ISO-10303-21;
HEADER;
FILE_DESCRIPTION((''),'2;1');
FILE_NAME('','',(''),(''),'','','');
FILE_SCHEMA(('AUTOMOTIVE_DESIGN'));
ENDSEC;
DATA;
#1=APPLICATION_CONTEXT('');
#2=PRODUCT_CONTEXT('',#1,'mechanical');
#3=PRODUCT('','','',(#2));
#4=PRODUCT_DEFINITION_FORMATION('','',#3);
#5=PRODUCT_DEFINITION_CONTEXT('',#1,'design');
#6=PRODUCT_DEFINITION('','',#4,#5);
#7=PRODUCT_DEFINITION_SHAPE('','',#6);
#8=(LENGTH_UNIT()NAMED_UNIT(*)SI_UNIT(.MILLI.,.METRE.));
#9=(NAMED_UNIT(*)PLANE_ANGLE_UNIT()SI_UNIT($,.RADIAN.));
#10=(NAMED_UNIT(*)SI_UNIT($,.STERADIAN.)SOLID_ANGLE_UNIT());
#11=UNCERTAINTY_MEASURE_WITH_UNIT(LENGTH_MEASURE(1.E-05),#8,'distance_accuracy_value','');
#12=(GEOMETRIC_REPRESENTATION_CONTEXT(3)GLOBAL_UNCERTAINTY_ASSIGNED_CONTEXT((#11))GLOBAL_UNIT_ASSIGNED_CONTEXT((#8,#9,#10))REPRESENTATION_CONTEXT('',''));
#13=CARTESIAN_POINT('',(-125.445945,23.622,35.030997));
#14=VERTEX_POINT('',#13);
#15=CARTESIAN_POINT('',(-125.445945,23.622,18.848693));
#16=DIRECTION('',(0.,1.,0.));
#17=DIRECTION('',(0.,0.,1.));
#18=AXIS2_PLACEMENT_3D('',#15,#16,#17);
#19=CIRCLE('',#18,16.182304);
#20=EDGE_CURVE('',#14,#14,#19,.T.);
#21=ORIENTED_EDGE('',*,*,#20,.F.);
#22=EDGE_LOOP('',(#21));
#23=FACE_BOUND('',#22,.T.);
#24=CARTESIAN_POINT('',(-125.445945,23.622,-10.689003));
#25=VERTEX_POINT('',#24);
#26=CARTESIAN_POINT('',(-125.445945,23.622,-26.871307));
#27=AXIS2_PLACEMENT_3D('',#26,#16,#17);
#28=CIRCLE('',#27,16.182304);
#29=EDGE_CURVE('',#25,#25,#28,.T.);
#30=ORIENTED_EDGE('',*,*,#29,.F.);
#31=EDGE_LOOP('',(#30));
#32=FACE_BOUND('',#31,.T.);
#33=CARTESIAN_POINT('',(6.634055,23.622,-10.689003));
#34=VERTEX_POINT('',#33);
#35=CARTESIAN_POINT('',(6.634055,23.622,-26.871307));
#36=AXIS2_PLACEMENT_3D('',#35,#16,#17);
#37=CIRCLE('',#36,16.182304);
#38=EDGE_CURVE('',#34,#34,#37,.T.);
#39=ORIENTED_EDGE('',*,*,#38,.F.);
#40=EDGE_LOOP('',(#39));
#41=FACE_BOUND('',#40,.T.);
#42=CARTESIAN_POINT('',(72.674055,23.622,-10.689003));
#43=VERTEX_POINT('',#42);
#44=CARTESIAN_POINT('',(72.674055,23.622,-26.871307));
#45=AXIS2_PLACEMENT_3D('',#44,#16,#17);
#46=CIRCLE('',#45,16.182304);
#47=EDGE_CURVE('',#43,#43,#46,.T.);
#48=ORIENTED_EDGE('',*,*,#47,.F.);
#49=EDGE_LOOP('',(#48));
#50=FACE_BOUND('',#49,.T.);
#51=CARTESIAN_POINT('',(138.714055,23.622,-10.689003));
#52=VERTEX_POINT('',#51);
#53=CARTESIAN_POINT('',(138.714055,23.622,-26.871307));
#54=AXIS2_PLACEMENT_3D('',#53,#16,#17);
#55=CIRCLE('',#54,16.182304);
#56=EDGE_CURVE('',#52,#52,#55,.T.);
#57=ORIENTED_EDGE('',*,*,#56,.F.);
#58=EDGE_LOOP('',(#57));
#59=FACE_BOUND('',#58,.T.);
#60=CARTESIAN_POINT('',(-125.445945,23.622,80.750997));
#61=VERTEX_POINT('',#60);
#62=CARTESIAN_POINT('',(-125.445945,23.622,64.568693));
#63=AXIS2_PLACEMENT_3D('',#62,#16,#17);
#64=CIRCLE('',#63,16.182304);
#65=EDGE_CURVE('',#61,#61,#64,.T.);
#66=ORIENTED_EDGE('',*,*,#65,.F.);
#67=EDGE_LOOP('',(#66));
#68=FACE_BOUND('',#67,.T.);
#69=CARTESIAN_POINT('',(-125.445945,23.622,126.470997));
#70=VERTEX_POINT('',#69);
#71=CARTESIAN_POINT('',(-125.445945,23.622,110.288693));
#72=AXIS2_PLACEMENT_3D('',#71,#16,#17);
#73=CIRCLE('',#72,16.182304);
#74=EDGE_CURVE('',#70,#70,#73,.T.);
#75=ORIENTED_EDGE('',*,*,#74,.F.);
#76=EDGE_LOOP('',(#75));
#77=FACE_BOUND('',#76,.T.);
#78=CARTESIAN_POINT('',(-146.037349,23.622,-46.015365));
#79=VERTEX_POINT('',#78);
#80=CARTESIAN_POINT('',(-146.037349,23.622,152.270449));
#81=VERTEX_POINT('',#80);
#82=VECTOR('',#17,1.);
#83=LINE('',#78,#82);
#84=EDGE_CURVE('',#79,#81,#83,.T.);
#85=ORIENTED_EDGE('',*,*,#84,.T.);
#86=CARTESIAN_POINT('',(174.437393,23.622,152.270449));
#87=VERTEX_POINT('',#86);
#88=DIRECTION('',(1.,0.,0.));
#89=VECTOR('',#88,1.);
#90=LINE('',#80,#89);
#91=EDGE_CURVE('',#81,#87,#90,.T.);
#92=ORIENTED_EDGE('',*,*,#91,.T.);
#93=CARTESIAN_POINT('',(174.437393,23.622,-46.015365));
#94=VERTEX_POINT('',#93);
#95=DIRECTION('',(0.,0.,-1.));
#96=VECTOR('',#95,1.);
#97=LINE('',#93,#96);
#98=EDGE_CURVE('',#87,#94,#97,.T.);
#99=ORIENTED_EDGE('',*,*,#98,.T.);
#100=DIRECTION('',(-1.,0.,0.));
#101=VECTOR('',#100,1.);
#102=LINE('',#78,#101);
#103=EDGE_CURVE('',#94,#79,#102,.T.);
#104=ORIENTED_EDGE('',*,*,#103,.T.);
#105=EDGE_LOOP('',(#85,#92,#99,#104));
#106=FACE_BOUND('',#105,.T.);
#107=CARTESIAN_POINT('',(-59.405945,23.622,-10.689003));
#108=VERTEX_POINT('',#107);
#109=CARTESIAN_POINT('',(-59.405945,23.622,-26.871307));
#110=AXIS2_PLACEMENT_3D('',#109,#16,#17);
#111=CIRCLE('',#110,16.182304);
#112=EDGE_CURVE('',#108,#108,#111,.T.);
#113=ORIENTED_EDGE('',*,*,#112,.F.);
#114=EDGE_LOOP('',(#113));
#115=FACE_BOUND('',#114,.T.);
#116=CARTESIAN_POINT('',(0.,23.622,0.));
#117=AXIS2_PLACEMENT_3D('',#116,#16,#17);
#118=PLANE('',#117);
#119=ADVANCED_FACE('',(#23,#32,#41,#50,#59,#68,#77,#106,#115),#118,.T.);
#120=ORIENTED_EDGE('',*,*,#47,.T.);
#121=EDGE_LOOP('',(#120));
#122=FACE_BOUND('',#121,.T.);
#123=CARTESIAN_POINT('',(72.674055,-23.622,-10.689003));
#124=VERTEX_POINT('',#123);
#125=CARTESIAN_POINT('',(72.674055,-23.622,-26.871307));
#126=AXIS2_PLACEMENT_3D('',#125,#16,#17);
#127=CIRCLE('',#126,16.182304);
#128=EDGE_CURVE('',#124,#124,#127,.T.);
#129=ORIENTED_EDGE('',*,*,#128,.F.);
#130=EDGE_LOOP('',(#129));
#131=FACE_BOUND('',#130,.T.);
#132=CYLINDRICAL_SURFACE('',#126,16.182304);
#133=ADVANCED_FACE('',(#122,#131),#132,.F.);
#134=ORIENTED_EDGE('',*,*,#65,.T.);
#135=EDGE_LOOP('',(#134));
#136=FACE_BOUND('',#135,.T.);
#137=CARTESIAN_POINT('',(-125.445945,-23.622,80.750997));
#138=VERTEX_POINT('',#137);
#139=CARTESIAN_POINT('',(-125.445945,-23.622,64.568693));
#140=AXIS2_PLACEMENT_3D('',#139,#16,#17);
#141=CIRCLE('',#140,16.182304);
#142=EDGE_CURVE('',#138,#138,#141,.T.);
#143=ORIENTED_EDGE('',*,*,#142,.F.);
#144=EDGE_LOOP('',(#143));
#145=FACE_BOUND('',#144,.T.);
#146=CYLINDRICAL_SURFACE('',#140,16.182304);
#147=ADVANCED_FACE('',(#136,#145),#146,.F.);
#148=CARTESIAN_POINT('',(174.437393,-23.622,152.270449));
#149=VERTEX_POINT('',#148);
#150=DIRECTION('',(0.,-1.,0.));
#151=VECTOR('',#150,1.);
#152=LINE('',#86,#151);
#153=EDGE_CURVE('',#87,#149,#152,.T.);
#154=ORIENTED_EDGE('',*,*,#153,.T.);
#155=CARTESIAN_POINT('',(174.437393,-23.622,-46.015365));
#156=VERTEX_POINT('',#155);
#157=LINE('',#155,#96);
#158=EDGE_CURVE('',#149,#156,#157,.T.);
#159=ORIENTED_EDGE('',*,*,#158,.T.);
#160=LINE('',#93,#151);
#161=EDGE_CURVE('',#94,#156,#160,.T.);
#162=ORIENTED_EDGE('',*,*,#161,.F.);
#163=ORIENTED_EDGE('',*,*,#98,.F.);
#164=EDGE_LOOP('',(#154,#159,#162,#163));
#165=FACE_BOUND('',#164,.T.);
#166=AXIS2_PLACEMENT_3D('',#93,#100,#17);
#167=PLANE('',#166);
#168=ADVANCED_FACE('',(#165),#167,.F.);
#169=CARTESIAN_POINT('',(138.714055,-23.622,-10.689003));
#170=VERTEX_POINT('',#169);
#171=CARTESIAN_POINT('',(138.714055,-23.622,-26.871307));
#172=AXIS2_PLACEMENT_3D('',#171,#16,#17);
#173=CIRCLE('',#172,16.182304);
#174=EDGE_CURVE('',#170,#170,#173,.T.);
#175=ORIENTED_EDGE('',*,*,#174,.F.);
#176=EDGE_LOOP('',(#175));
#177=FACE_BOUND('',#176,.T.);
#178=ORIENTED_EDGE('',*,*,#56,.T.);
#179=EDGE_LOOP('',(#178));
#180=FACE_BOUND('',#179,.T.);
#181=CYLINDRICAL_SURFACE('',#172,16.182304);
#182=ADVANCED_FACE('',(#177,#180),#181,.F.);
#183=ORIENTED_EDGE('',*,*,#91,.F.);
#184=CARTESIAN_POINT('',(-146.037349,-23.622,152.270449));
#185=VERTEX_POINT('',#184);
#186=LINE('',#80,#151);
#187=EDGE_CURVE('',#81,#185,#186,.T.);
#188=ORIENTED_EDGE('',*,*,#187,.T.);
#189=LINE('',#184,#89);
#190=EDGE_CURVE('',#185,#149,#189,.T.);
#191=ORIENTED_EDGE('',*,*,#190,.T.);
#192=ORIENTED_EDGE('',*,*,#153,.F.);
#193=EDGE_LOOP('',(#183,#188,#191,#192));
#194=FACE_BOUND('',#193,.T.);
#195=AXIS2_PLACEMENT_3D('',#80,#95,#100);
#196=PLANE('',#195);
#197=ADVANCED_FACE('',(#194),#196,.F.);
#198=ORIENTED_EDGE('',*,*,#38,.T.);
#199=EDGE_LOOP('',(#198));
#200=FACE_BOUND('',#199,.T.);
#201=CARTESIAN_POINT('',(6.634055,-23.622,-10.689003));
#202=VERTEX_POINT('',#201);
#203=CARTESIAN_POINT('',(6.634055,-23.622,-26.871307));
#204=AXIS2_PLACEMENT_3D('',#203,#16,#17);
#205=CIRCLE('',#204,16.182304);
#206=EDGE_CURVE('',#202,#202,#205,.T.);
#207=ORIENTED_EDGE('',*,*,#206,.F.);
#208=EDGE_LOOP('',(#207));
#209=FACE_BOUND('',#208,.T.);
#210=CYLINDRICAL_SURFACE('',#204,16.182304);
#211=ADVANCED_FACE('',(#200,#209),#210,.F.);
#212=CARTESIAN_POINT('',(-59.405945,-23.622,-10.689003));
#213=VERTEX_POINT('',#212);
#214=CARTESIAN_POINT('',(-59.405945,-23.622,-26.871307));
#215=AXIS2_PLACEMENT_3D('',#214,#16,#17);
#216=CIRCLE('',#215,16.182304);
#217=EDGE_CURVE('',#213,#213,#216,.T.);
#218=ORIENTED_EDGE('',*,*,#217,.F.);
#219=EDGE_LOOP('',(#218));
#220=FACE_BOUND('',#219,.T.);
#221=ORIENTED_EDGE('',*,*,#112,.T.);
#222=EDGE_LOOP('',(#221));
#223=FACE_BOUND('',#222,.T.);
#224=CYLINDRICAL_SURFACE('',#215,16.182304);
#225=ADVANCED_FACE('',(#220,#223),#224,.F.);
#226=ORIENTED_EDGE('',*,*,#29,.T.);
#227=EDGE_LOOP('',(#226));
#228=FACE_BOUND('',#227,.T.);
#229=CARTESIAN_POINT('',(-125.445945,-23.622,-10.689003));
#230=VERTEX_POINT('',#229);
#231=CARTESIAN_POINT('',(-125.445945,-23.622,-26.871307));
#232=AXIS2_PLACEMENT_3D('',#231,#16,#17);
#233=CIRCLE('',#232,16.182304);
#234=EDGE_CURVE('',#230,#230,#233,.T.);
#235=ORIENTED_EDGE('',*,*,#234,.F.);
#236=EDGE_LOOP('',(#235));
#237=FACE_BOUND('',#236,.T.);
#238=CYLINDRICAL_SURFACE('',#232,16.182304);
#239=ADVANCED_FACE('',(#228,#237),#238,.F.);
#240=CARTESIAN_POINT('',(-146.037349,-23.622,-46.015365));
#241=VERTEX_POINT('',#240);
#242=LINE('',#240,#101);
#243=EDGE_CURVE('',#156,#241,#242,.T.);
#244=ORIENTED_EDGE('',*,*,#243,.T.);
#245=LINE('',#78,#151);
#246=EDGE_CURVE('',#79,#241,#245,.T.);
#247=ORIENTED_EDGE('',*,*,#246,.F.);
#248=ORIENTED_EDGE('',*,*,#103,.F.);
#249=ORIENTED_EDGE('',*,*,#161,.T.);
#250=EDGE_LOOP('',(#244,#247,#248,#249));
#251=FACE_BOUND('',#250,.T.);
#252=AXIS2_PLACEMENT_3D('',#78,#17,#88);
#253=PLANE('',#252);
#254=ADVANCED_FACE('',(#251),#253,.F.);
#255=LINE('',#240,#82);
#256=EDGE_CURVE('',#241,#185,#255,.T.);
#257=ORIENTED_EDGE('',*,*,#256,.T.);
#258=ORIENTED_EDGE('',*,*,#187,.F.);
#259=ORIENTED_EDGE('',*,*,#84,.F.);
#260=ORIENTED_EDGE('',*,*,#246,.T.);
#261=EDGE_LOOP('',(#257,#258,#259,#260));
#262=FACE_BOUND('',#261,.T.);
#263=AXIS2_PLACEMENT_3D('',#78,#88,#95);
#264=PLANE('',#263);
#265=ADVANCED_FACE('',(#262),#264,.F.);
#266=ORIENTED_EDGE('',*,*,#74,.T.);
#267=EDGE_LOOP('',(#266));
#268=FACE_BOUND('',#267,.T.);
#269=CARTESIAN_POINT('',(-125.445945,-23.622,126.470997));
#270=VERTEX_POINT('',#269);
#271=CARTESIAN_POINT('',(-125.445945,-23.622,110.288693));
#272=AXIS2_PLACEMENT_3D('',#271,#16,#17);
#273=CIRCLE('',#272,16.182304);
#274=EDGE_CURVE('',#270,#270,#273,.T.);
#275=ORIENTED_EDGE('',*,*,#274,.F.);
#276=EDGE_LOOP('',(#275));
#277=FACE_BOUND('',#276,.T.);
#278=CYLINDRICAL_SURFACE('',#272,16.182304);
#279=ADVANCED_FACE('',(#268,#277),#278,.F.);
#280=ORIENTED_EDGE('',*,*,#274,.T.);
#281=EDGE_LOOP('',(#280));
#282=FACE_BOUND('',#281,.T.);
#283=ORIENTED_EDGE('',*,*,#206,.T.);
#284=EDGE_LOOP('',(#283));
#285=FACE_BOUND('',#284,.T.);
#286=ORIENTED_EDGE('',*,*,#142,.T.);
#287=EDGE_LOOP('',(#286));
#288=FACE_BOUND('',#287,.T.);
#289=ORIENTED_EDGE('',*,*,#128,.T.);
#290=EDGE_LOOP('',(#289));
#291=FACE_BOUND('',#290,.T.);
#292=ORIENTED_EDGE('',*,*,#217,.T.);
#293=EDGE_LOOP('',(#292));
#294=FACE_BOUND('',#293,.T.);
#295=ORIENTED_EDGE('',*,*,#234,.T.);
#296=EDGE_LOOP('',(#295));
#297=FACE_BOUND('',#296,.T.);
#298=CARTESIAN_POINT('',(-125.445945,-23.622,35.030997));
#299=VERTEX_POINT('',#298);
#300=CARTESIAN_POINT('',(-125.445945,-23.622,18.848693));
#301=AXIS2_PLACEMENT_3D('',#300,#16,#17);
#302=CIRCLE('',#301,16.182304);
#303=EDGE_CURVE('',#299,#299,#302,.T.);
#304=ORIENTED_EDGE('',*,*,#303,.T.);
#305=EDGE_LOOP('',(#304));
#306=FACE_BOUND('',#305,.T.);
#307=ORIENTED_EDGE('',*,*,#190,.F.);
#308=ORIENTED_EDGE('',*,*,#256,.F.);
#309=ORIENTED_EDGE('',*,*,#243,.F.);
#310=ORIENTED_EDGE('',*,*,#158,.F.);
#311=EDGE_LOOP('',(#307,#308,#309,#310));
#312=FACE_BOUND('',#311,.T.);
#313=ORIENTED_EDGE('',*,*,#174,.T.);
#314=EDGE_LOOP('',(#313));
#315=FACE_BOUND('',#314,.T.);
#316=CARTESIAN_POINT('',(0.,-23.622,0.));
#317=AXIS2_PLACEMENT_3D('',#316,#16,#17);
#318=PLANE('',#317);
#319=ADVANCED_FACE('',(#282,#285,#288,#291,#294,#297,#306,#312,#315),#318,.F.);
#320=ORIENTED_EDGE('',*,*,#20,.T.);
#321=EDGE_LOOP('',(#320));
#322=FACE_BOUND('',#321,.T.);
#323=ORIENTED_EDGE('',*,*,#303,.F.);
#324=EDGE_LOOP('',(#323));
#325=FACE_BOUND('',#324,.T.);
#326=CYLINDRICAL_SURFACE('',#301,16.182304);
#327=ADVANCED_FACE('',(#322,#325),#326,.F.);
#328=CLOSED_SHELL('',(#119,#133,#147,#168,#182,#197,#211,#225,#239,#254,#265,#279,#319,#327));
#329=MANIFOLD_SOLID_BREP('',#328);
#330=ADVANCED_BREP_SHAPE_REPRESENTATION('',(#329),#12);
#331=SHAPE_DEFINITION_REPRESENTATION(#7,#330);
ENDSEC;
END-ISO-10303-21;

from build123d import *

# Parameters (mm, degrees)
SKETCH1_W           = 320.474741716
SKETCH1_H           = 198.285814429
BOSS_EXTRUDE1_DEPTH = 23.622
SKETCH2_R           = 16.182303952
CUT_EXTRUDE1_DEPTH  = 47.244
LPATTERN1_COUNT     = 5
LPATTERN1_PITCH     = 66.04
LPATTERN1_COL_COUNT = 4
LPATTERN1_COL_PITCH = 45.72


with BuildPart() as part:
    # Sketch1 → Boss-Extrude1 (new, symmetric)
    with BuildSketch(Plane(origin=(0, 0, 0), x_dir=(1, 0, 0), z_dir=(0, 1, 0))):
        with Locations((14.200022321, -53.127541738)):
            Rectangle(SKETCH1_W, SKETCH1_H)
    extrude(amount=BOSS_EXTRUDE1_DEPTH, both=True)

    # Sketch2 → Cut-Extrude1 (cut)
    with BuildSketch(Plane(origin=(0, 23.622, 0), x_dir=(1, 0, 0), z_dir=(0, 1, 0))):
        with Locations(Location((-125.445944565, 26.871307357, 0), (0, 0, 270))):
            Circle(SKETCH2_R)
    cut_extrude1 = extrude(amount=-CUT_EXTRUDE1_DEPTH, mode=Mode.SUBTRACT)

    # LPattern1: Cut-Extrude1 ×5
    with Locations(*[(i * LPATTERN1_PITCH, 0, 0) for i in range(1, LPATTERN1_COUNT)]):
        add(cut_extrude1, mode=Mode.SUBTRACT)

    # LPattern1 col: Cut-Extrude1 ×4
    with Locations(*[(0, 0, i * LPATTERN1_COL_PITCH) for i in range(1, LPATTERN1_COL_COUNT)]):
        add(cut_extrude1, mode=Mode.SUBTRACT)


solid = part.part
